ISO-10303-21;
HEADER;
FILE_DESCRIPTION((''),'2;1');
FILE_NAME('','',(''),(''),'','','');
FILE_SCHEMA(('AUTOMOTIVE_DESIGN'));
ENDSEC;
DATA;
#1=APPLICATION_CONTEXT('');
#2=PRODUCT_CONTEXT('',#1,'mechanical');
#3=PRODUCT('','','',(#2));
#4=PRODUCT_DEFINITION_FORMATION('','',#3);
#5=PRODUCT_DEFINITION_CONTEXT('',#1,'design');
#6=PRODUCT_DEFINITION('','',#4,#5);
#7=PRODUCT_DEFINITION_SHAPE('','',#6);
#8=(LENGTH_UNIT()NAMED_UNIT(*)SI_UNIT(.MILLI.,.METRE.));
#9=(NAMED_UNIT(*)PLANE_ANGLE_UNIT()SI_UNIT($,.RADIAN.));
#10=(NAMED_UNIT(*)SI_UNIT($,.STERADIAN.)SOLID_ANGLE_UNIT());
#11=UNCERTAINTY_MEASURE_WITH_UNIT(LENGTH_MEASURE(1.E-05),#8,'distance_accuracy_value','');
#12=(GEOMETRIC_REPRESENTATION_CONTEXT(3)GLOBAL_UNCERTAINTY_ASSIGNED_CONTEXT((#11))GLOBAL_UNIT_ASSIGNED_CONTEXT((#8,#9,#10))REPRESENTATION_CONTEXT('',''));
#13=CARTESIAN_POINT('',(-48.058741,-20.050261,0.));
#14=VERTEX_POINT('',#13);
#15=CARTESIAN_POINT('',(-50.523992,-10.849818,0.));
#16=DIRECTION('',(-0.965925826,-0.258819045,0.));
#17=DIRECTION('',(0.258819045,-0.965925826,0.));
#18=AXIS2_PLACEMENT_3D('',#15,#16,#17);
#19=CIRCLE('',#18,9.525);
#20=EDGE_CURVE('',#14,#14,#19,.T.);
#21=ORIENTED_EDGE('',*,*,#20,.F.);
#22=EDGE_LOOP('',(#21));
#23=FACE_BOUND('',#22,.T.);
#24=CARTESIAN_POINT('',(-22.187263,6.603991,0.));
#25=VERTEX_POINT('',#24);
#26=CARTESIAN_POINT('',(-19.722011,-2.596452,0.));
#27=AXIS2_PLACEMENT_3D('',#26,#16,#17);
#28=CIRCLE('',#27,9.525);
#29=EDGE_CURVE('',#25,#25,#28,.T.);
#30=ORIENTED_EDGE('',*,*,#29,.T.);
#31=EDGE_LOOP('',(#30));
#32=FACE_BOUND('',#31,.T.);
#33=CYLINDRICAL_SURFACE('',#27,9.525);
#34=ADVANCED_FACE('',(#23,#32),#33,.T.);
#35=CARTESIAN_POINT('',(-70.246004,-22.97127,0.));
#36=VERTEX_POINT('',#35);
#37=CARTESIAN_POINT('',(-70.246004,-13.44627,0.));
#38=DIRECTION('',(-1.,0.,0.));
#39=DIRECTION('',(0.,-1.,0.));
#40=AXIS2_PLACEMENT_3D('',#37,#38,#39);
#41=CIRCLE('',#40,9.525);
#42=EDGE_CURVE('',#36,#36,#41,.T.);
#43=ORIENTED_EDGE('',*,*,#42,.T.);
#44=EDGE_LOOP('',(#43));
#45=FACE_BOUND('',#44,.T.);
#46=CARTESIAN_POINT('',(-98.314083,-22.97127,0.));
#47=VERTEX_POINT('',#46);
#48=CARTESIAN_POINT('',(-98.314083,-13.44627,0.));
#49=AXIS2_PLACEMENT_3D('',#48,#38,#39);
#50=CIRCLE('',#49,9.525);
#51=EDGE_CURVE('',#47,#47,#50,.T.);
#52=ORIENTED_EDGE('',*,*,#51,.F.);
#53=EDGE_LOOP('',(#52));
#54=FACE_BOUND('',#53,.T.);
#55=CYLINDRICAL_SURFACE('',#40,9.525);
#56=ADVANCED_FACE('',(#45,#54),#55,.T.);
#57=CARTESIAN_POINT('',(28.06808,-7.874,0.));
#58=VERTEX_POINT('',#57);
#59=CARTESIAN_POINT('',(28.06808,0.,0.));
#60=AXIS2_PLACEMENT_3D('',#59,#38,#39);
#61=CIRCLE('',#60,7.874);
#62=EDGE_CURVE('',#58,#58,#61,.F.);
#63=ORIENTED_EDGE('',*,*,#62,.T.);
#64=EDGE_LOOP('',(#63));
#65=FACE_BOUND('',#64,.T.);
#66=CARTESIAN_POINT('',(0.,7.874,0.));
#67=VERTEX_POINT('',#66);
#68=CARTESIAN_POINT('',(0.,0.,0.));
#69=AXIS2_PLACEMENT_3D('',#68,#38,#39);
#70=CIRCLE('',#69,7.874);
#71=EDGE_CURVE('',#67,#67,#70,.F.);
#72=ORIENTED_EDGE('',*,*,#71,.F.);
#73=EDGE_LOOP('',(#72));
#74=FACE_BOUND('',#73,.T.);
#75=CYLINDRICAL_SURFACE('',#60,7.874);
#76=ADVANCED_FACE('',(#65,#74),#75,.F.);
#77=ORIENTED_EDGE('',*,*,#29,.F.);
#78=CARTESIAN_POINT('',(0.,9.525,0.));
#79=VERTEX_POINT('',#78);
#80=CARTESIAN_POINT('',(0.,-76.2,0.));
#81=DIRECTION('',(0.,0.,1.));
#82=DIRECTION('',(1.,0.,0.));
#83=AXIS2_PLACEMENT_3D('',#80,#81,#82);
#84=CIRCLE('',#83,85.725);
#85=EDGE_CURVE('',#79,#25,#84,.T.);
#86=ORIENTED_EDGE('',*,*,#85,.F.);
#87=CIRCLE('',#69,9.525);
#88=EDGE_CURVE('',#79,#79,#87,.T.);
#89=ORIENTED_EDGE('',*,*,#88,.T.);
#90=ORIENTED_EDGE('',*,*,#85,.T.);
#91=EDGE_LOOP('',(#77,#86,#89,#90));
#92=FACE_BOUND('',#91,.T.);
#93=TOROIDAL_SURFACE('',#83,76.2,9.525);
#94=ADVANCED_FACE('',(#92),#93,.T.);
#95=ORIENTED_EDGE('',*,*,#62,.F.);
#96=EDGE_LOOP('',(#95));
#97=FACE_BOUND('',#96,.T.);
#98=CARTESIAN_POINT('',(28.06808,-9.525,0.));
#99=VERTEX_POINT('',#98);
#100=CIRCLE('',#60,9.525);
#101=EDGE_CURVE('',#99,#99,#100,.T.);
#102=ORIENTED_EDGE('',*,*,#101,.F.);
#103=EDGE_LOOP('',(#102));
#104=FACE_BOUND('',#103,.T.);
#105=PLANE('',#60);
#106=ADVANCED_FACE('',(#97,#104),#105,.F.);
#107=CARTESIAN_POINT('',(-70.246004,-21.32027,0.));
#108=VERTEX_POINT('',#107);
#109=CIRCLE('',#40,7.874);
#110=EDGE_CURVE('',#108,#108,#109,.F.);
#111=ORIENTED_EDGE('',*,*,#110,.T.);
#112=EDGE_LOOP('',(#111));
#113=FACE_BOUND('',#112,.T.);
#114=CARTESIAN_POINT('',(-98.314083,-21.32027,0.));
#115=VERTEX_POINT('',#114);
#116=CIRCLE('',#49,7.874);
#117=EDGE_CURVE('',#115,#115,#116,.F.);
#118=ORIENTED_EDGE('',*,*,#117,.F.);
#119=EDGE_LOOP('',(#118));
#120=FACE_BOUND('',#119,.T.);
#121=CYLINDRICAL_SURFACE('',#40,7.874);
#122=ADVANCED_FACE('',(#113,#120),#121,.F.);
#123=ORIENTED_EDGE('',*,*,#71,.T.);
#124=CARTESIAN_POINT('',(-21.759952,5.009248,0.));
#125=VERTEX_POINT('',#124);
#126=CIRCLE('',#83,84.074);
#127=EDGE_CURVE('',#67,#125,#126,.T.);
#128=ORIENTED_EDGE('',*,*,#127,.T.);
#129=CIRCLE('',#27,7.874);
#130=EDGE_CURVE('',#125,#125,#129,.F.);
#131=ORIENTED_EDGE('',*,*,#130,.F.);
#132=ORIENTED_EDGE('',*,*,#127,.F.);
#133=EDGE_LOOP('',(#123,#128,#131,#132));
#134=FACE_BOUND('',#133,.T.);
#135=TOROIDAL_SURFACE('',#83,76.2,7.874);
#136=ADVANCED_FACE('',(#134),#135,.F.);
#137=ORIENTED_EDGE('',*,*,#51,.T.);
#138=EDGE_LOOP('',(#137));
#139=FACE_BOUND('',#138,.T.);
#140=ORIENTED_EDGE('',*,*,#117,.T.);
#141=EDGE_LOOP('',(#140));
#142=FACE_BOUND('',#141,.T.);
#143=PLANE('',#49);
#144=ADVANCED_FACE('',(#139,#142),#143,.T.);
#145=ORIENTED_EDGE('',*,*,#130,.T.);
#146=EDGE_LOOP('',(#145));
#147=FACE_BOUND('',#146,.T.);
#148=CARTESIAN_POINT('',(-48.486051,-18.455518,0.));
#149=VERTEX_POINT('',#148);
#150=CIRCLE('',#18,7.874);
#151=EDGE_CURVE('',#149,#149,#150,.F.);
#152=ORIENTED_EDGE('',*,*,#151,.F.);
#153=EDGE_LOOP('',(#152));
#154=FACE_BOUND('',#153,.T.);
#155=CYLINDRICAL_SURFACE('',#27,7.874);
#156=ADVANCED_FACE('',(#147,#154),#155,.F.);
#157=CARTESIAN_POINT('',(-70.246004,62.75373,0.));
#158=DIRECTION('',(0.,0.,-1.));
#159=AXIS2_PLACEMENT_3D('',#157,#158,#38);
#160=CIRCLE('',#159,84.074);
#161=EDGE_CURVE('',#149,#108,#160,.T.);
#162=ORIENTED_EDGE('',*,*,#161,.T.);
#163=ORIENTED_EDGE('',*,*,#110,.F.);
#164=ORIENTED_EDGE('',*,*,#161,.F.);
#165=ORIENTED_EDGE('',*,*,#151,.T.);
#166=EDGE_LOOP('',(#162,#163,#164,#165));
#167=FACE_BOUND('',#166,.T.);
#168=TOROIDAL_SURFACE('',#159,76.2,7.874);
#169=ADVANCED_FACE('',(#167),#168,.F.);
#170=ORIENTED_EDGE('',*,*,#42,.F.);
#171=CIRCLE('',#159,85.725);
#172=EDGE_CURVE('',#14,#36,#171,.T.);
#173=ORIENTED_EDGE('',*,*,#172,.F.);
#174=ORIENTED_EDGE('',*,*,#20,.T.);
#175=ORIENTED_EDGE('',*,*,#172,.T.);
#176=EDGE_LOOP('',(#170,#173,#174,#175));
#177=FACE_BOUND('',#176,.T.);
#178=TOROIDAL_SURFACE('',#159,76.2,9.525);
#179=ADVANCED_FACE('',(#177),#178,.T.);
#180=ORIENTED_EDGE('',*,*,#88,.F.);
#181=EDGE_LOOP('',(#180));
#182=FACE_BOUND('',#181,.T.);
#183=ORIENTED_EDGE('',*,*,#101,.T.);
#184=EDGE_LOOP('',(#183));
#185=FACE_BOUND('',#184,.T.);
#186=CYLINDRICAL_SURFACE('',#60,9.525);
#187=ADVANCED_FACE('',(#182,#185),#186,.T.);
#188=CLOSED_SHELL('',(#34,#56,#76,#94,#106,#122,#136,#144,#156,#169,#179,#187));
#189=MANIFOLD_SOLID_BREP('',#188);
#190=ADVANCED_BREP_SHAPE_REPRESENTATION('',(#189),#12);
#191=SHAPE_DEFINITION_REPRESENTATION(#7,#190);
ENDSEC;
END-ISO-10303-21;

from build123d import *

# Parameters (mm, degrees)
SKETCH2_R   = 9.525
SKETCH2_R_2 = 7.874


with BuildPart() as part:
    # Sweep1: sweep along a path in Sketch1
    with BuildLine(Plane.XY) as sweep1_path:
        Line((28.068079684, 0), (0, 0))
        ThreePointArc((0, 0), (-9.946095847, -0.651901563), (-19.722011237, -2.596452037))
        Line((-19.722011237, -2.596452037), (-50.523992361, -10.849818004))
        ThreePointArc((-50.523992361, -10.849818004), (-60.299907751, -12.794368478), (-70.246003598, -13.446270041))
        Line((-70.246003598, -13.446270041), (-98.314083282, -13.446270041))
    # Sketch2 → Sweep1 (sweep)
    with BuildSketch(Plane.ZY.offset(-28.068079684)):
        Circle(SKETCH2_R)
        Circle(SKETCH2_R_2, mode=Mode.SUBTRACT)
    sweep(path=sweep1_path.line)


solid = part.part
